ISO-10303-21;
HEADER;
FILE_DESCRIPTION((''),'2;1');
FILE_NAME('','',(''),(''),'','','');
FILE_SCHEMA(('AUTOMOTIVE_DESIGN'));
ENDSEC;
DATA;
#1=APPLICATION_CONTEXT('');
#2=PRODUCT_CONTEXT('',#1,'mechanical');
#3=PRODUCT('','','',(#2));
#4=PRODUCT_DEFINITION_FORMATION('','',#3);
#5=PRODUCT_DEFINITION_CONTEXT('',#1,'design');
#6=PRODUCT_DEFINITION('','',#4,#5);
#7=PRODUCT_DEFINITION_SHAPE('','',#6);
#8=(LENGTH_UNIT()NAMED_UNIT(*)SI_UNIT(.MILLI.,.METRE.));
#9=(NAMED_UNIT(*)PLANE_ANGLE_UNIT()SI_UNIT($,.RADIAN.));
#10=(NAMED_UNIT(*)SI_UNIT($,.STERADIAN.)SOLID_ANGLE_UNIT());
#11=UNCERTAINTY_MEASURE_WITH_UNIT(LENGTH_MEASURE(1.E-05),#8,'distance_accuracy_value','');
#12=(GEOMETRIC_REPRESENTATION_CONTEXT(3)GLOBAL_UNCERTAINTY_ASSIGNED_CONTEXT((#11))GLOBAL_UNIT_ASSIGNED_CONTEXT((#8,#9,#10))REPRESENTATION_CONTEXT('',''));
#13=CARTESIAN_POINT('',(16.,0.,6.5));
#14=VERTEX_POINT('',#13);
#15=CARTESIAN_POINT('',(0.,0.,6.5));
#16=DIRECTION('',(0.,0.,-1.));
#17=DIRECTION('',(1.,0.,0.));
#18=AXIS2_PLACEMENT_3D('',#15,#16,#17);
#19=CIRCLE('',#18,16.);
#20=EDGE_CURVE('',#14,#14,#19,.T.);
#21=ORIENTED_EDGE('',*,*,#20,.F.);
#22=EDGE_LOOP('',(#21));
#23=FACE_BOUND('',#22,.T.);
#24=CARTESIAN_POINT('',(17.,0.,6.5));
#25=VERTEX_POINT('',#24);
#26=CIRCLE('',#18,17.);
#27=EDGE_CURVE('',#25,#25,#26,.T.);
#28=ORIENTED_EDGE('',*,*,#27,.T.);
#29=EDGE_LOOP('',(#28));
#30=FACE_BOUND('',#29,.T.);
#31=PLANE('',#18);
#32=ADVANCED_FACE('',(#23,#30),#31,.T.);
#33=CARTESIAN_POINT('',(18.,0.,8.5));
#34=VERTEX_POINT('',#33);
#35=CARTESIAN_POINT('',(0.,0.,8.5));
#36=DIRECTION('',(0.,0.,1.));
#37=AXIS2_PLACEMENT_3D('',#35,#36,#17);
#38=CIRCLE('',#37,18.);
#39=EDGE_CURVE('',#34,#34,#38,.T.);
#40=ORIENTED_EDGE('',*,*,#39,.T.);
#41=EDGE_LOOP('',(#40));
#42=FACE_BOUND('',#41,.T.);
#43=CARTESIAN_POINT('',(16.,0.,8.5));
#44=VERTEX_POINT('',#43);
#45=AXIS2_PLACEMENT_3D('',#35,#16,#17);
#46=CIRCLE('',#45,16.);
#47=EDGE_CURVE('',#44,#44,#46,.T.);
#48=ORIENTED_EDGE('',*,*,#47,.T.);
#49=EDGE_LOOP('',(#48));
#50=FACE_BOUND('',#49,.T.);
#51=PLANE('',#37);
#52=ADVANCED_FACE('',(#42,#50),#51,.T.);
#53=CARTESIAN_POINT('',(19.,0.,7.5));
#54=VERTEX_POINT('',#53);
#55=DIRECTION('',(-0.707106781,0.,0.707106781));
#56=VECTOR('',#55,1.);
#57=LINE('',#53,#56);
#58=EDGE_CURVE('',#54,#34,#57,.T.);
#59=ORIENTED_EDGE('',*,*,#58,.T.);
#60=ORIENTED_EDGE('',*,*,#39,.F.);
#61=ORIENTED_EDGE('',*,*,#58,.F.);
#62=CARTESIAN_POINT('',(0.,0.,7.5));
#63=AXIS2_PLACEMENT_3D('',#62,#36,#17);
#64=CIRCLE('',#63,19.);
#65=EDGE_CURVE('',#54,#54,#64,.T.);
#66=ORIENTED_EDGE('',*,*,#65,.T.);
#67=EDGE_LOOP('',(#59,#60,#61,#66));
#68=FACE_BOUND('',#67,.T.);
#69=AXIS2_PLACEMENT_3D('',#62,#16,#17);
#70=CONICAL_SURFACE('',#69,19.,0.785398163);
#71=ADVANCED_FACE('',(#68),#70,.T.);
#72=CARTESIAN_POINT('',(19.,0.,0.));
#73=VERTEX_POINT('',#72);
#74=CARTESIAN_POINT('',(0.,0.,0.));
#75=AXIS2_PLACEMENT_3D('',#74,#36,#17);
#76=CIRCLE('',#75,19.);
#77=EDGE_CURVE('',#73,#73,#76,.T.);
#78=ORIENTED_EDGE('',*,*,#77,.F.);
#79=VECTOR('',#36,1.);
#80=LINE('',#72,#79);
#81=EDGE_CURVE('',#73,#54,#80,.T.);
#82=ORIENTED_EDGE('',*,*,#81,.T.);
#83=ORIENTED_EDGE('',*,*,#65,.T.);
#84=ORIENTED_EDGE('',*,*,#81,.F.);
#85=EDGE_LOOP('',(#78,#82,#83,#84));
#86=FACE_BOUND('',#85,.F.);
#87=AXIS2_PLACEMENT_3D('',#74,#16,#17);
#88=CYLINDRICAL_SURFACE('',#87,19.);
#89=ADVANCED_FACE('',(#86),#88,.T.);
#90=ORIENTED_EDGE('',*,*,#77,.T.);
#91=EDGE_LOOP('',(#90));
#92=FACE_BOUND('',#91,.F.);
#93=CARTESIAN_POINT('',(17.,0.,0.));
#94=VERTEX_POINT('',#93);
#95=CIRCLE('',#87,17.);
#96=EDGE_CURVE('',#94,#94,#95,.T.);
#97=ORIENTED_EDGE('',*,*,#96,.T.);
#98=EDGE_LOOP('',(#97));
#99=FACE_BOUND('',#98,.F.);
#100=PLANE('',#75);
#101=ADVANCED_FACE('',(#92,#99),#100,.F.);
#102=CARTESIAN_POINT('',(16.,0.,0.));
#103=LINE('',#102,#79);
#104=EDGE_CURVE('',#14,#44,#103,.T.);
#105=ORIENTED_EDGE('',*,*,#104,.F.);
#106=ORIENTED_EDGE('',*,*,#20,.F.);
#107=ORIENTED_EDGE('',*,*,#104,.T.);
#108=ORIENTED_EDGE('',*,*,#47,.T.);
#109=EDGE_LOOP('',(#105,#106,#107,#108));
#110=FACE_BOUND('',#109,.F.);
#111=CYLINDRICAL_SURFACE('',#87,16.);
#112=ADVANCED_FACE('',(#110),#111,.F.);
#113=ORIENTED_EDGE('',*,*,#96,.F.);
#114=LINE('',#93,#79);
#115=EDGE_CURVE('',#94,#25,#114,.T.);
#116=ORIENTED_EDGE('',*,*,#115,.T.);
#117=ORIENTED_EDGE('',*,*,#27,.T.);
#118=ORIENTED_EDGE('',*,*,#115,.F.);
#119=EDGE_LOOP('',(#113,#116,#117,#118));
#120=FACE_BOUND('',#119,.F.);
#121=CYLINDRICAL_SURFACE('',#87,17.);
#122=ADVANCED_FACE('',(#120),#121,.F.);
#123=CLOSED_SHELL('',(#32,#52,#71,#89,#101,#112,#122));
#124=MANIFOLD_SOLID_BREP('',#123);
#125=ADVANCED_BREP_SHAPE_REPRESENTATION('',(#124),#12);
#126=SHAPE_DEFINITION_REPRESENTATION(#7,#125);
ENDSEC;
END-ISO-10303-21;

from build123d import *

# Parameters (mm, degrees)
F0_R     = 19
F1_DEPTH = 8.5
F2_R     = 16
F3_DEPTH = 10
F4_R     = 17
F5_DEPTH = 6.5
F6_SIZE  = 1


with BuildPart() as f1:
    # F0 (on Top) → F1 (new body)
    with BuildSketch(Plane.XY):
        Circle(F0_R)
    extrude(amount=F1_DEPTH)

    # F2 (on face) → F3 (cut)
    with BuildSketch(Plane(origin=(0, 0, 0), x_dir=(1, 0, 0), z_dir=(0, 0, -1))):
        Circle(F2_R)
    extrude(amount=-F3_DEPTH, mode=Mode.SUBTRACT)

    # F4 (on face) → F5 (cut)
    with BuildSketch(Plane(origin=(0, 0, 0), x_dir=(1, 0, 0), z_dir=(0, 0, -1))):
        Circle(F4_R)
    extrude(amount=-F5_DEPTH, mode=Mode.SUBTRACT)

    # F6
    f6_edges = [f1.edges().sort_by_distance(p)[0] for p in [
        (-19, 0, 8.5),
    ]]
    chamfer(f6_edges, length=F6_SIZE)


solid = f1.part
